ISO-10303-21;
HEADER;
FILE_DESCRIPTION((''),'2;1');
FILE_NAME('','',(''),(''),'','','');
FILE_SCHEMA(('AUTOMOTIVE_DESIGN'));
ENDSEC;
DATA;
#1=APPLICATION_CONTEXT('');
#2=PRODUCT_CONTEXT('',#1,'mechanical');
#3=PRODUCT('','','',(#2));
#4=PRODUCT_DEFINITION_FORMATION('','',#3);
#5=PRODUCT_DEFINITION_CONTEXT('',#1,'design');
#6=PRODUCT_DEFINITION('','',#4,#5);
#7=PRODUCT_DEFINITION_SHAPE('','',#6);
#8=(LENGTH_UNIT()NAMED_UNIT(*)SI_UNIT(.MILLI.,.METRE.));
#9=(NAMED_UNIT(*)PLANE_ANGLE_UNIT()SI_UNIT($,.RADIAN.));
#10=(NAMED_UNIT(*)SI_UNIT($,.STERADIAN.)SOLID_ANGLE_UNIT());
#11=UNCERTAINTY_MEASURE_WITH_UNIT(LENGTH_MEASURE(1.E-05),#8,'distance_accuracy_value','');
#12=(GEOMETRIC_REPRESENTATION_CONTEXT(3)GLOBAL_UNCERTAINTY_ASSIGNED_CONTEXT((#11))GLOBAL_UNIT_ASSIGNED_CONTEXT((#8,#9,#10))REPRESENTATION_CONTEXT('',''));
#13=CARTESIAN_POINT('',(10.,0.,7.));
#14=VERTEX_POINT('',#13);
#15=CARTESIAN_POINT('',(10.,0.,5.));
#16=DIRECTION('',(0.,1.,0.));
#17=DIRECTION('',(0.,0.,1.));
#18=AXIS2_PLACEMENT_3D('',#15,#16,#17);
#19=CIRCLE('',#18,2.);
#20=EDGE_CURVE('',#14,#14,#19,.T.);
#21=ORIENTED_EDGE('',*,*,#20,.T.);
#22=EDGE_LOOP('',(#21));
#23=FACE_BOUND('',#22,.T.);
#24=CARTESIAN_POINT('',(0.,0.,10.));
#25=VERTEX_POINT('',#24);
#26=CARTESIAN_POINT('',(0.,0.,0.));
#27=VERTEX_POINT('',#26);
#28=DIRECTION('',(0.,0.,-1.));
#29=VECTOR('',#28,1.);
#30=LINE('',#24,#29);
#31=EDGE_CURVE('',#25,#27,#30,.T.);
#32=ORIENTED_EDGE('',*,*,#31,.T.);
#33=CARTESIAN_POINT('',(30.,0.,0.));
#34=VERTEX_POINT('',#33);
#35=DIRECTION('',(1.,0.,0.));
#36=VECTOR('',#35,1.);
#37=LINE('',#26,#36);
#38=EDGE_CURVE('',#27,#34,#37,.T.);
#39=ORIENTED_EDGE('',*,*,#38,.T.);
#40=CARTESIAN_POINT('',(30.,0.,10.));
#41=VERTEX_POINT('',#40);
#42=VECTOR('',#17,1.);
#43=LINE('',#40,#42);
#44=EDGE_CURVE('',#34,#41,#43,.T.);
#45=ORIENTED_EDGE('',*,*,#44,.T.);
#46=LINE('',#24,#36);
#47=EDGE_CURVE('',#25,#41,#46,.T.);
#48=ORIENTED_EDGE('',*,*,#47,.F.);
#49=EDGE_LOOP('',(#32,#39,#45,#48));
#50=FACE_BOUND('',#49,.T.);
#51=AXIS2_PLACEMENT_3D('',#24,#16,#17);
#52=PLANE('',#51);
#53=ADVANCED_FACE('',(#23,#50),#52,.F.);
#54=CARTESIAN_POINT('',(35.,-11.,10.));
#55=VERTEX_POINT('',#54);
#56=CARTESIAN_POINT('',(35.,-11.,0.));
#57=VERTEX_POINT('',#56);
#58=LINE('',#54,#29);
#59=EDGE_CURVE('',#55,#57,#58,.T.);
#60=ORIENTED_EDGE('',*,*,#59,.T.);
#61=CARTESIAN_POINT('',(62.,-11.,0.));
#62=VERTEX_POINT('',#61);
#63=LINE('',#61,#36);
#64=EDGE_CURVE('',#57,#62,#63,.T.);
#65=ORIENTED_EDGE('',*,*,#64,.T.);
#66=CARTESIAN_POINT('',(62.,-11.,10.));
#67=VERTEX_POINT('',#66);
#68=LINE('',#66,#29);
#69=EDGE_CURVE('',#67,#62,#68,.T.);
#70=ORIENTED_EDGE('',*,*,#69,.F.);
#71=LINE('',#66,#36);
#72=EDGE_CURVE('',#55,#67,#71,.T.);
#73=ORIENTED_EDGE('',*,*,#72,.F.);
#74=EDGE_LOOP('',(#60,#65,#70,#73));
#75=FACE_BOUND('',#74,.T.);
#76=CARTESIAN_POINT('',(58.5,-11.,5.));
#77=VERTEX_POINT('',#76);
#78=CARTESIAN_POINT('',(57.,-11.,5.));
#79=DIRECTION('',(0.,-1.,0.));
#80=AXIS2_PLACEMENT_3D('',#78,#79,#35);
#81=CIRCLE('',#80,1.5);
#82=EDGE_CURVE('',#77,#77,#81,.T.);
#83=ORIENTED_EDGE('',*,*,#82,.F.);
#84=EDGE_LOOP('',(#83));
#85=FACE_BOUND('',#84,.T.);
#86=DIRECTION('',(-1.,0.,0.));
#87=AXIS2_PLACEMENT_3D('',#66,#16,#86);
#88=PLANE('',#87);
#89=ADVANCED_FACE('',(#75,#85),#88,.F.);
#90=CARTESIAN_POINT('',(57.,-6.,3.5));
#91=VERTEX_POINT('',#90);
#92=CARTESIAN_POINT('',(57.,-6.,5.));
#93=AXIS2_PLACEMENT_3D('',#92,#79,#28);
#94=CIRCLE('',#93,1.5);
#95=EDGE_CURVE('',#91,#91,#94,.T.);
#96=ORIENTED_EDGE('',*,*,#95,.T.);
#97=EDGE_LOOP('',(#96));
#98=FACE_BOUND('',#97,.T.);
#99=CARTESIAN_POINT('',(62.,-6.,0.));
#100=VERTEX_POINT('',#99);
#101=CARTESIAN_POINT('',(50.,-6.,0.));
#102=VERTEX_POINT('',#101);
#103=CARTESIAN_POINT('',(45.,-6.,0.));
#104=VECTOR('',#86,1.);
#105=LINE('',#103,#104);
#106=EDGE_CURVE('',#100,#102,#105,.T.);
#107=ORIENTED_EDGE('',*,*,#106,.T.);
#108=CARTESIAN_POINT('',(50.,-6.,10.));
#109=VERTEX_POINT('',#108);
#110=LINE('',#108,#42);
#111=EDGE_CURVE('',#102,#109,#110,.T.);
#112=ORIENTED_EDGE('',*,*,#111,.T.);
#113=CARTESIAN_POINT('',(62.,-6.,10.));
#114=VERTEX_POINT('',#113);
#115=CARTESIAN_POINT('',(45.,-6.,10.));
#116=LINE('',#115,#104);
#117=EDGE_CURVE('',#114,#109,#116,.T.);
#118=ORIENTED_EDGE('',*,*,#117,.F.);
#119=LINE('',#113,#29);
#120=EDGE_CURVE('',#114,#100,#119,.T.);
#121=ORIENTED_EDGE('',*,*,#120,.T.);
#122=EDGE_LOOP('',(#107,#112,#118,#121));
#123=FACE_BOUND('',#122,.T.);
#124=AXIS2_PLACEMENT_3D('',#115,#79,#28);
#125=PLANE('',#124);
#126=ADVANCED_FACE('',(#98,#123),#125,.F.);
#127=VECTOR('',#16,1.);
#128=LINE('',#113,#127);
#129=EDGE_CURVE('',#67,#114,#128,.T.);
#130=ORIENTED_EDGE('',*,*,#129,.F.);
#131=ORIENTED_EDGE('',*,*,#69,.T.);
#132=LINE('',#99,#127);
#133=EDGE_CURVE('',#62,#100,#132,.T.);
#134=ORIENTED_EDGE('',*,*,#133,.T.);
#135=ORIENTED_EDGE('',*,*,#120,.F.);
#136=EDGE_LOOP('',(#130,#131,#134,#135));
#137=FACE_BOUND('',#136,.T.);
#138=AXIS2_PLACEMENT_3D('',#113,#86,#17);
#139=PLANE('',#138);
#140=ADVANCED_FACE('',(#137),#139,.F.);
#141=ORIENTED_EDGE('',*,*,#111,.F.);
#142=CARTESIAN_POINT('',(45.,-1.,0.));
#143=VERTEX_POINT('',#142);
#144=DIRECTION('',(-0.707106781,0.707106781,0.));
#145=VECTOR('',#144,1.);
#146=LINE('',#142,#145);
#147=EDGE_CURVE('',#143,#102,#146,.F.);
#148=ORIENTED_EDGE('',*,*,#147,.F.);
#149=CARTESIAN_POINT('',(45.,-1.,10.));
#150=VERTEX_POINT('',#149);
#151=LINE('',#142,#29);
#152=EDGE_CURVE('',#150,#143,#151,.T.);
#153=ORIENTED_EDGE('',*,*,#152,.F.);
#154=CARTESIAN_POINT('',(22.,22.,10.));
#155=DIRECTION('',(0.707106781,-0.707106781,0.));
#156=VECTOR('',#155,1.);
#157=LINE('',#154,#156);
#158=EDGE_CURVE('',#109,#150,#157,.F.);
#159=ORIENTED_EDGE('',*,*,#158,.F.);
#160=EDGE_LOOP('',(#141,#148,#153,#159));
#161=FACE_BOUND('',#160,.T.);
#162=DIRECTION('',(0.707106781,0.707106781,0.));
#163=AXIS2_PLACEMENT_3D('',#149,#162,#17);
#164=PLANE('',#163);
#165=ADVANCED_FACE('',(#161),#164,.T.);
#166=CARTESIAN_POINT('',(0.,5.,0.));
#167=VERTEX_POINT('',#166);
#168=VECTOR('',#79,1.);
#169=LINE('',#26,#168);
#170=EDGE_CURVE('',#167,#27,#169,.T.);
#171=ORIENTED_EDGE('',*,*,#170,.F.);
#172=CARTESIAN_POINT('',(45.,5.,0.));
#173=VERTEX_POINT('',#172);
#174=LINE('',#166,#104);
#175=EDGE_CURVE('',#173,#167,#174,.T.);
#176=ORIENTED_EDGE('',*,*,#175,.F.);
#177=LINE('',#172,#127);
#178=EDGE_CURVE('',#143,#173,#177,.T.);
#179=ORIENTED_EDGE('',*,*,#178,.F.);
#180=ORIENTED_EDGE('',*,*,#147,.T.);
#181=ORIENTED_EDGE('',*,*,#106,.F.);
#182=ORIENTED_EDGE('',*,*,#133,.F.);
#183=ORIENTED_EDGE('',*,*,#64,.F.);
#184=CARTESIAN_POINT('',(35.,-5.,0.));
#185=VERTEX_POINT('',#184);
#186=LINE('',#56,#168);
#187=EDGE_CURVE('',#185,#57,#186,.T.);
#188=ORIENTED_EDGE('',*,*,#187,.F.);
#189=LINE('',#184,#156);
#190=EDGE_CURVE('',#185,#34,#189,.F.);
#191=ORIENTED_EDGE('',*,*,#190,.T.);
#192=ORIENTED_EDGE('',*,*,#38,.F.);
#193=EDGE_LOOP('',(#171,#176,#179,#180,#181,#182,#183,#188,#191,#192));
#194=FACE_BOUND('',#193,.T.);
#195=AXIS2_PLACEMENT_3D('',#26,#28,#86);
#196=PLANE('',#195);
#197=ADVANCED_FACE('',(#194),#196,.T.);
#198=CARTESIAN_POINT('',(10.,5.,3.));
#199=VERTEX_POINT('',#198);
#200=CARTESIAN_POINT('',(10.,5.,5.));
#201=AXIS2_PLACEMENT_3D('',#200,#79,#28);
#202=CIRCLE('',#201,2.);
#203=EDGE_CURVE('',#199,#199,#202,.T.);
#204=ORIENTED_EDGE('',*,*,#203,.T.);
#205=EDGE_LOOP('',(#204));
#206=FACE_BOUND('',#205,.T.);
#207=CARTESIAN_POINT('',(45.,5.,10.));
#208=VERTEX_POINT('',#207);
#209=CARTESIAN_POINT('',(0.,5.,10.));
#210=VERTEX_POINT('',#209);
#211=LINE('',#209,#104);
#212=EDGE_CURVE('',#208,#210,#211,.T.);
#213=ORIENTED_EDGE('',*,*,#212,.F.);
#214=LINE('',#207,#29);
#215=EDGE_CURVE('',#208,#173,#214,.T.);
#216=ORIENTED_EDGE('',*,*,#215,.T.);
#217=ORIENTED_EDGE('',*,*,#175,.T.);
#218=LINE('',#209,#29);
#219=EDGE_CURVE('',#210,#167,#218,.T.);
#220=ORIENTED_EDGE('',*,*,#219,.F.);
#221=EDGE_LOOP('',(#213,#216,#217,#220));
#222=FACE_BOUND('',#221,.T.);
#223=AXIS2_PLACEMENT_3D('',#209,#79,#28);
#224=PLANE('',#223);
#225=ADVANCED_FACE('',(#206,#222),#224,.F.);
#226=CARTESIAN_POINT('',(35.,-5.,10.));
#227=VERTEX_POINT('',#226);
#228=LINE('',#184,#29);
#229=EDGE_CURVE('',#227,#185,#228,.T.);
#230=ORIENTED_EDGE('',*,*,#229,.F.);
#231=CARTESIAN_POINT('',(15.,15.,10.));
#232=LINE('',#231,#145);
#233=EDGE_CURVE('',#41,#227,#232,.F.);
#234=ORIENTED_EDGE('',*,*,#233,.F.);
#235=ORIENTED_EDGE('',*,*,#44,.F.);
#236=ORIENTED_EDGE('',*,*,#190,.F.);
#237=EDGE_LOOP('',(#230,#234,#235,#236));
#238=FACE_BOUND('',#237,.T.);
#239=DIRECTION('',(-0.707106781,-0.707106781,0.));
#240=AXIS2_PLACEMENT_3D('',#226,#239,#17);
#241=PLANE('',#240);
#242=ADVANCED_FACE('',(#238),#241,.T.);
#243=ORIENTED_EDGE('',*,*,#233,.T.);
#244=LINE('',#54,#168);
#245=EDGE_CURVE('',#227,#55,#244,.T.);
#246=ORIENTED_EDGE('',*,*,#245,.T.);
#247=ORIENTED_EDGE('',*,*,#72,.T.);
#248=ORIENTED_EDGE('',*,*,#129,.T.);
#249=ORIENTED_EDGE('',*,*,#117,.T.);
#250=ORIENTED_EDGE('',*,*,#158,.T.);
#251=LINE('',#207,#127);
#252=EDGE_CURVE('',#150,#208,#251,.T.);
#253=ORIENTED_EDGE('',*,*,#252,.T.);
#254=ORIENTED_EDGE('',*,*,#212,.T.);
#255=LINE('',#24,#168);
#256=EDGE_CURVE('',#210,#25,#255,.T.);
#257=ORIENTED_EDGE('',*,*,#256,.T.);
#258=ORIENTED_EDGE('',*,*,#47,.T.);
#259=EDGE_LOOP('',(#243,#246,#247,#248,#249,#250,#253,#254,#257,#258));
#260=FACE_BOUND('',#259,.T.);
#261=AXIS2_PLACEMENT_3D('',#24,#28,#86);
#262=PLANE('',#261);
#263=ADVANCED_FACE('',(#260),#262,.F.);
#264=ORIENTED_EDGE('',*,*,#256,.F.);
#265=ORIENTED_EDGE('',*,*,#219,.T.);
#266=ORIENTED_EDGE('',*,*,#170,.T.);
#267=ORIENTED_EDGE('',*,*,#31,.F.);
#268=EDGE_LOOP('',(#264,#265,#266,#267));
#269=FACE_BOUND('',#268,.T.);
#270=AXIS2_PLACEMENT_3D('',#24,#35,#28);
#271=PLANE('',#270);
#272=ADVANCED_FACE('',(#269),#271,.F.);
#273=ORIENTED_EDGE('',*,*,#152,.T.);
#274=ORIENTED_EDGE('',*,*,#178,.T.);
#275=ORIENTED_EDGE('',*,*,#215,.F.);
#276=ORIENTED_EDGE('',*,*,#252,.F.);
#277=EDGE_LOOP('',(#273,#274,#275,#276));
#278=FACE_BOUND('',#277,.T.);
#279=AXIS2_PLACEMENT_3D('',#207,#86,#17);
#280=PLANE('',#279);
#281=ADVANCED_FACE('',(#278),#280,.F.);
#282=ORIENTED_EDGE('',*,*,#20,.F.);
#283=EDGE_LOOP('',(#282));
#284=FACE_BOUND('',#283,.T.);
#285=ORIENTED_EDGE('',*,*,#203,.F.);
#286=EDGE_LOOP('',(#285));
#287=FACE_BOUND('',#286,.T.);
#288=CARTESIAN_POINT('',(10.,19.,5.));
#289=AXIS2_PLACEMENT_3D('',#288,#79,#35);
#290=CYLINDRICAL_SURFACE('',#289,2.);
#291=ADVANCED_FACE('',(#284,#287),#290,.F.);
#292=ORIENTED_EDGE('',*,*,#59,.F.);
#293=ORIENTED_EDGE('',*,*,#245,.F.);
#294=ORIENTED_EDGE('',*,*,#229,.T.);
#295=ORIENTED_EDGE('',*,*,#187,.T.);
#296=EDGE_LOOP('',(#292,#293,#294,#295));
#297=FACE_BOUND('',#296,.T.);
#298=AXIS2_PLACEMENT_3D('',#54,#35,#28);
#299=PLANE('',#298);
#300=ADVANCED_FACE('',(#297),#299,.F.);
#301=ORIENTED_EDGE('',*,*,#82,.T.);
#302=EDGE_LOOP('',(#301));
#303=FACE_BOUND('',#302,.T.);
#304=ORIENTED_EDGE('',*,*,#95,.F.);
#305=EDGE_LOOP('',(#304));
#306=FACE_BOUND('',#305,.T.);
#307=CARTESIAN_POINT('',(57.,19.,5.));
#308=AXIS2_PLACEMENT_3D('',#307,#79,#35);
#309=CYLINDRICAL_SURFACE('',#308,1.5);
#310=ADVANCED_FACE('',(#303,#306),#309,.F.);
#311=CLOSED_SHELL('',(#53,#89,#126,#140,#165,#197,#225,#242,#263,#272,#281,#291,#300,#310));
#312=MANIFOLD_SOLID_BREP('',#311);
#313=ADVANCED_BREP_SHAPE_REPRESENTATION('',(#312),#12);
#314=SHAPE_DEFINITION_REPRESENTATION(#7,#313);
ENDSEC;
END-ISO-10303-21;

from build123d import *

# Parameters (mm, degrees)
EXTRUDE_1_DEPTH     = 10
SKETCH_3_R          = 2
SKETCH_3_R_2        = 1.5
CUT_EXTRUDE_1_DEPTH = 30
CHAMFER_1_SIZE      = 5


with BuildPart() as part:
    # 草图1 → 凸台-拉伸1 (new body)
    with BuildSketch(Plane.XY):
        Polygon((0, 0), (35, 0), (35, -11), (62, -11), (62, -6), (45, -6), (45, 5), (0, 5), align=None)
    extrude(amount=EXTRUDE_1_DEPTH)

    # 草图3 → 切除-拉伸1 (cut)
    with BuildSketch(Plane.XZ.offset(11)):
        with Locations(Location((10, 5, 0), (0, 0, 270))):
            Circle(SKETCH_3_R)
        with Locations((57, 5)):
            Circle(SKETCH_3_R_2)
    extrude(amount=-CUT_EXTRUDE_1_DEPTH, mode=Mode.SUBTRACT)

    # 倒角1
    chamfer_1_edges = [part.edges().sort_by_distance(p)[0] for p in [
        (45, -6, 5),
        (35, 0, 5),
    ]]
    chamfer(chamfer_1_edges, length=CHAMFER_1_SIZE)


solid = part.part
